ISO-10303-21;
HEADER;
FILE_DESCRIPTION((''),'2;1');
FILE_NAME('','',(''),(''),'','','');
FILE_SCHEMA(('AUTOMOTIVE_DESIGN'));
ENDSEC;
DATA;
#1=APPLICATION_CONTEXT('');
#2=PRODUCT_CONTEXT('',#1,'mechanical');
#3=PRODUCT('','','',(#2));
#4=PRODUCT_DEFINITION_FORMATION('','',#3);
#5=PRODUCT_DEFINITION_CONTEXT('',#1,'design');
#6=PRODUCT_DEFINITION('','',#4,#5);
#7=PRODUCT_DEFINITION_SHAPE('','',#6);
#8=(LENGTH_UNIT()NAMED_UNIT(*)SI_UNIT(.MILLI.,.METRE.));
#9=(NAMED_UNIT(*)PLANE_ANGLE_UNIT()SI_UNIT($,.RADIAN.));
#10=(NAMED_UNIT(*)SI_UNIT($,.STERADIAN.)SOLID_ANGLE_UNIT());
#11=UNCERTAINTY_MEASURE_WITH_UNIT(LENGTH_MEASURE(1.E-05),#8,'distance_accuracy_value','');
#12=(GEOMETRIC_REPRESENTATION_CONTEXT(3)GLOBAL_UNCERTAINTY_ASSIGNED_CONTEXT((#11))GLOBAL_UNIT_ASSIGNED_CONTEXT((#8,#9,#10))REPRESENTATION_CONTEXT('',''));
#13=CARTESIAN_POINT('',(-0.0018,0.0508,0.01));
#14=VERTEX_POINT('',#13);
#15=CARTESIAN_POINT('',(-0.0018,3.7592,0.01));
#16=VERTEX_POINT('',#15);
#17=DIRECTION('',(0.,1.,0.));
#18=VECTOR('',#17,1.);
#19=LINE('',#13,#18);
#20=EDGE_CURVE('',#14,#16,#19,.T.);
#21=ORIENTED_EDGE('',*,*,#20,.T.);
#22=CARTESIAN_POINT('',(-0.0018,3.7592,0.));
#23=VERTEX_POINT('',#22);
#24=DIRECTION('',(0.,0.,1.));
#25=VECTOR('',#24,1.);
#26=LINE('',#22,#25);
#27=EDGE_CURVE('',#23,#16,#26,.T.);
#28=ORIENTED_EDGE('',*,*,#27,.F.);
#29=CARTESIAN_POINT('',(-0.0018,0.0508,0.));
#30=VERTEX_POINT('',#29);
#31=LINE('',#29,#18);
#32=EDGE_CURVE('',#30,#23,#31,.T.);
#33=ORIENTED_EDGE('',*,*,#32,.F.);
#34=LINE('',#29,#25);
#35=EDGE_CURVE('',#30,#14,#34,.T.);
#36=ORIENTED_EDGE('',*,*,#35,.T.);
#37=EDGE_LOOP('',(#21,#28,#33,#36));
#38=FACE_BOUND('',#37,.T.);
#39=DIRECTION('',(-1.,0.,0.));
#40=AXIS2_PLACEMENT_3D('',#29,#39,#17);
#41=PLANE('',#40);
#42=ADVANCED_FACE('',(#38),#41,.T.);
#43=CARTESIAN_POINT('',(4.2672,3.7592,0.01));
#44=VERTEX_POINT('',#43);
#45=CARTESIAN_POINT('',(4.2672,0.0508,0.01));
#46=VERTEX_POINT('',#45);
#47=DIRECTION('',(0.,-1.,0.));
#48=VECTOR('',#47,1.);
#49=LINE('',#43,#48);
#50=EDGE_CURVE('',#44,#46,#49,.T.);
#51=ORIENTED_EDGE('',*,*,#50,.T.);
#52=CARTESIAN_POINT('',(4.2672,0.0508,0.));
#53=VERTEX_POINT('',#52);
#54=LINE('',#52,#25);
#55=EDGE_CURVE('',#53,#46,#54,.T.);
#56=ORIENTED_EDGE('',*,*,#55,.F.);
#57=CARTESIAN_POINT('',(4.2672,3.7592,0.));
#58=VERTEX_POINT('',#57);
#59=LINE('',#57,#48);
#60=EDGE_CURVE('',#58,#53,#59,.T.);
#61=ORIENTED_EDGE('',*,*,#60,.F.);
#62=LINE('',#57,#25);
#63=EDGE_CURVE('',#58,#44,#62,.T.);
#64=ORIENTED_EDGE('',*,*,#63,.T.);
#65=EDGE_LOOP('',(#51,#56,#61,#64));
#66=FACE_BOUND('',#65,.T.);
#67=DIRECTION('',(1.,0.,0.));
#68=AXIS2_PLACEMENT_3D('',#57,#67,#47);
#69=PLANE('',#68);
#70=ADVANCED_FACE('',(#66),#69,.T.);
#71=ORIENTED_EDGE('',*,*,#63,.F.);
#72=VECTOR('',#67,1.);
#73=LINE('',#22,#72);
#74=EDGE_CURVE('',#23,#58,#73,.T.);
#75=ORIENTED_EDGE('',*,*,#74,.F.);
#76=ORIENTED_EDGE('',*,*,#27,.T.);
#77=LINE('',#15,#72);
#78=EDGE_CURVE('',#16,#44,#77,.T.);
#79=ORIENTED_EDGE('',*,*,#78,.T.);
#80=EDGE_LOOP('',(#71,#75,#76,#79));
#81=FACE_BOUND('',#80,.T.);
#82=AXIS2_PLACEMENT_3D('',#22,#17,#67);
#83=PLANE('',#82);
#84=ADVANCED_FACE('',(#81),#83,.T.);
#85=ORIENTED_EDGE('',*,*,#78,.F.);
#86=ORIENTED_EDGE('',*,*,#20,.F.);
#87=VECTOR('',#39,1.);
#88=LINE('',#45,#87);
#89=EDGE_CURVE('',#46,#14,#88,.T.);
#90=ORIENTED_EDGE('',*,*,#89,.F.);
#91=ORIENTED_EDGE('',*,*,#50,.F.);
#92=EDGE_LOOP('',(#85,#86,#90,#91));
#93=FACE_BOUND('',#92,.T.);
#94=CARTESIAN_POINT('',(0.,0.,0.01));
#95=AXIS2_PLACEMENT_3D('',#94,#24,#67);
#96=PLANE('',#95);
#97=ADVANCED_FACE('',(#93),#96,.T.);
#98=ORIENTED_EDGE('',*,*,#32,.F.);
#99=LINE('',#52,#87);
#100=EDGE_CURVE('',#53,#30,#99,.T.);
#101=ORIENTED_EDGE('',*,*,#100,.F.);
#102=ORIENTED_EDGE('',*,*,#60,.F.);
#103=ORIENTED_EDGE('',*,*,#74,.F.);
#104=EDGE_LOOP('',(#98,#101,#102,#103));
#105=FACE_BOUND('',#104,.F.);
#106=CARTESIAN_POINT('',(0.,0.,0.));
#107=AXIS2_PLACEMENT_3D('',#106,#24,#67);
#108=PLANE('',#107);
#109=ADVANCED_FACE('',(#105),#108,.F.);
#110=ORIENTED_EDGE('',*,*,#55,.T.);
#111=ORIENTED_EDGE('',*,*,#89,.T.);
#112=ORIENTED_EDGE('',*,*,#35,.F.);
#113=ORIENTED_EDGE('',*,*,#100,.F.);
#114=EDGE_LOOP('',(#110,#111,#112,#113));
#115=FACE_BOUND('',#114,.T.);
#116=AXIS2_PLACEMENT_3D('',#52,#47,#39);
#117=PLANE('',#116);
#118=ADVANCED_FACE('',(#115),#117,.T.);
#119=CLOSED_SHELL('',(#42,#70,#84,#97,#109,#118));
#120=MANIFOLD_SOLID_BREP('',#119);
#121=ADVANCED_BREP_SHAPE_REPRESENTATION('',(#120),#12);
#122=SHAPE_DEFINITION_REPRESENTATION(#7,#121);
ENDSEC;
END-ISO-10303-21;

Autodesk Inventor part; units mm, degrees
ref_plane "YZ Plane" through (0, 0, 0) normal (1, 0, 0) x (0, 1, 0)
ref_plane "XZ Plane" through (0, 0, 0) normal (0, 1, 0) x (-1, 0, 0)
ref_plane "XY Plane" through (0, 0, 0) normal (0, 0, 1) x (1, 0, 0)
sketch "OSHW_8X150_NOTEXT, OSHW_LOGO_8MILX0150-NT_73" plane through (0, 0, 0) normal (0, 0, 1) x (1, 0, 0)
  line L0 (4.2672, 0.0508) -> (-0.0018, 0.0508)
  line L1 (-0.0018, 0.0508) -> (-0.0018, 3.7592)
  line L2 (-0.0018, 3.7592) -> (4.2672, 3.7592)
  line L3 (4.2672, 3.7592) -> (4.2672, 0.0508)
extrude "Extrusion1" add sketch "OSHW_8X150_NOTEXT, OSHW_LOGO_8MILX0150-NT_73" along normal blind 0.01
properties part number "OSHW_LOGO_8MILX0150-NT"
